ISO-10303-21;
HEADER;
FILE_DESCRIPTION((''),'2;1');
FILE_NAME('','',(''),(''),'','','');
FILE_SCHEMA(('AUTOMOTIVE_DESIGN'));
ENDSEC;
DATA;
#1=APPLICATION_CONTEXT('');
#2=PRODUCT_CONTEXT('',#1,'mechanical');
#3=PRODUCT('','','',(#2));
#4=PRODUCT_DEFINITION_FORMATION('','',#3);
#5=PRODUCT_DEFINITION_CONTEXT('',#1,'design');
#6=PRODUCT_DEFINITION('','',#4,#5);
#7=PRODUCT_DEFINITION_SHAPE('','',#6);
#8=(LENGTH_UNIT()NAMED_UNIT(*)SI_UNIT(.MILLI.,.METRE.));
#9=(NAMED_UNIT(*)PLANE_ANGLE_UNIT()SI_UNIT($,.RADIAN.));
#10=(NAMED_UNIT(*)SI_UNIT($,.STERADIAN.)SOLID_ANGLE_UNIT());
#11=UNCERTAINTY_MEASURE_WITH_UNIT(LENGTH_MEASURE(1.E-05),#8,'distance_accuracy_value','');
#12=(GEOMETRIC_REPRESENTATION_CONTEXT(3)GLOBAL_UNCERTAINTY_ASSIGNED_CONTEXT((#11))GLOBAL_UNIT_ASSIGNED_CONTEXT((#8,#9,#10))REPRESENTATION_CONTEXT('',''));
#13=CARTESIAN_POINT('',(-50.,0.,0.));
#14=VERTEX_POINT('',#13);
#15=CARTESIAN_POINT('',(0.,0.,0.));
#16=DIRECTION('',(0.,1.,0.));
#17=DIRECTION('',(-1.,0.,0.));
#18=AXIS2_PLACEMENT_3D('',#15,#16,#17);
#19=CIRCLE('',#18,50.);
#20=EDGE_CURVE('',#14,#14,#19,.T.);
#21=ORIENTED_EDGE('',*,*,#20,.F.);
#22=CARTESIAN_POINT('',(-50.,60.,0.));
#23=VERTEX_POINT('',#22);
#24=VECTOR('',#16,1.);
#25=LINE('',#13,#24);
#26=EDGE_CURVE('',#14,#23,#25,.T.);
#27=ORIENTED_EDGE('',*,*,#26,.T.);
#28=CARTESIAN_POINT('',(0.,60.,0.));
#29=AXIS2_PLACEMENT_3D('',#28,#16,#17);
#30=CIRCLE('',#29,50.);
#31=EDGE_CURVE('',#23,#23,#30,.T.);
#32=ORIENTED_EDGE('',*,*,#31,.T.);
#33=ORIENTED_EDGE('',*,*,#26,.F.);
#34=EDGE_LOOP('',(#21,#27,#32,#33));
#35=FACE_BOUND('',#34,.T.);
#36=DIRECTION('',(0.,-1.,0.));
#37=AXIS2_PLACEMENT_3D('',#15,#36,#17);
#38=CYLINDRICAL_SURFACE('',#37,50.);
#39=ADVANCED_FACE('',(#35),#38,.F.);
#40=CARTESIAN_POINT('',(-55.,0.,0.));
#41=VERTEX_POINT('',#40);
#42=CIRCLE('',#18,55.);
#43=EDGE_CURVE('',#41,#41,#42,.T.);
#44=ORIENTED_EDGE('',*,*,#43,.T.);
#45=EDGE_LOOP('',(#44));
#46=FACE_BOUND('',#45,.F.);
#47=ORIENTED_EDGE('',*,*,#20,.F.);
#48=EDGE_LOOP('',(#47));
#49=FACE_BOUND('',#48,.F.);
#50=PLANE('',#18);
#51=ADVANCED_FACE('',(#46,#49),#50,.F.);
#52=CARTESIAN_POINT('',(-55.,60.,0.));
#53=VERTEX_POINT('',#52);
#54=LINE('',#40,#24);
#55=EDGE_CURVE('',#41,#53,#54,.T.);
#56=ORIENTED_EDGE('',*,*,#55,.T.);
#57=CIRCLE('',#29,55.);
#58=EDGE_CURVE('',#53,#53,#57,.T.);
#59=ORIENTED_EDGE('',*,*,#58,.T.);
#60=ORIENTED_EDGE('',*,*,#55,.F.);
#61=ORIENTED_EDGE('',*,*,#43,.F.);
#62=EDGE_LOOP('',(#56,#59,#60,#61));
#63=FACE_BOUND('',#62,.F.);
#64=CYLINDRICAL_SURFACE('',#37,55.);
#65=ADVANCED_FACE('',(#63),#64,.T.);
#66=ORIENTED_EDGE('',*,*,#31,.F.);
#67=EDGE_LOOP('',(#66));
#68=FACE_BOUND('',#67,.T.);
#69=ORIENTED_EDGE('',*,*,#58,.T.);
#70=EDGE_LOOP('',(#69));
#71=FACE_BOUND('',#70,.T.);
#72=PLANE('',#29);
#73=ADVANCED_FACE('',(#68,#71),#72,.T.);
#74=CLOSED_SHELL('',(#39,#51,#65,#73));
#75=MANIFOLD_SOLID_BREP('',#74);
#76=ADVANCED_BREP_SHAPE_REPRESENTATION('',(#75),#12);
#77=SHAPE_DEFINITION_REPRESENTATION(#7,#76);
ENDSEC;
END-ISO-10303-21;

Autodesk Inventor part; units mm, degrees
ref_plane "YZ Plane" through (0, 0, 0) normal (1, 0, 0) x (0, 1, 0)
ref_plane "XZ Plane" through (0, 0, 0) normal (0, 1, 0) x (-1, 0, 0)
ref_plane "XY Plane" through (0, 0, 0) normal (0, 0, 1) x (1, 0, 0)
sketch "Skizze1" plane through (0, 0, 0) normal (0, 1, 0) x (-1, 0, 0)
  circle A0 centre (0, 0) radius 55
  circle A1 centre (0, 0) radius 50
  dimension "d0" = 110
  dimension "d1" = 100
extrude "Extrusion1" add sketch "Skizze1" along normal blind 60
properties part number "Futterschüssel_außen"
